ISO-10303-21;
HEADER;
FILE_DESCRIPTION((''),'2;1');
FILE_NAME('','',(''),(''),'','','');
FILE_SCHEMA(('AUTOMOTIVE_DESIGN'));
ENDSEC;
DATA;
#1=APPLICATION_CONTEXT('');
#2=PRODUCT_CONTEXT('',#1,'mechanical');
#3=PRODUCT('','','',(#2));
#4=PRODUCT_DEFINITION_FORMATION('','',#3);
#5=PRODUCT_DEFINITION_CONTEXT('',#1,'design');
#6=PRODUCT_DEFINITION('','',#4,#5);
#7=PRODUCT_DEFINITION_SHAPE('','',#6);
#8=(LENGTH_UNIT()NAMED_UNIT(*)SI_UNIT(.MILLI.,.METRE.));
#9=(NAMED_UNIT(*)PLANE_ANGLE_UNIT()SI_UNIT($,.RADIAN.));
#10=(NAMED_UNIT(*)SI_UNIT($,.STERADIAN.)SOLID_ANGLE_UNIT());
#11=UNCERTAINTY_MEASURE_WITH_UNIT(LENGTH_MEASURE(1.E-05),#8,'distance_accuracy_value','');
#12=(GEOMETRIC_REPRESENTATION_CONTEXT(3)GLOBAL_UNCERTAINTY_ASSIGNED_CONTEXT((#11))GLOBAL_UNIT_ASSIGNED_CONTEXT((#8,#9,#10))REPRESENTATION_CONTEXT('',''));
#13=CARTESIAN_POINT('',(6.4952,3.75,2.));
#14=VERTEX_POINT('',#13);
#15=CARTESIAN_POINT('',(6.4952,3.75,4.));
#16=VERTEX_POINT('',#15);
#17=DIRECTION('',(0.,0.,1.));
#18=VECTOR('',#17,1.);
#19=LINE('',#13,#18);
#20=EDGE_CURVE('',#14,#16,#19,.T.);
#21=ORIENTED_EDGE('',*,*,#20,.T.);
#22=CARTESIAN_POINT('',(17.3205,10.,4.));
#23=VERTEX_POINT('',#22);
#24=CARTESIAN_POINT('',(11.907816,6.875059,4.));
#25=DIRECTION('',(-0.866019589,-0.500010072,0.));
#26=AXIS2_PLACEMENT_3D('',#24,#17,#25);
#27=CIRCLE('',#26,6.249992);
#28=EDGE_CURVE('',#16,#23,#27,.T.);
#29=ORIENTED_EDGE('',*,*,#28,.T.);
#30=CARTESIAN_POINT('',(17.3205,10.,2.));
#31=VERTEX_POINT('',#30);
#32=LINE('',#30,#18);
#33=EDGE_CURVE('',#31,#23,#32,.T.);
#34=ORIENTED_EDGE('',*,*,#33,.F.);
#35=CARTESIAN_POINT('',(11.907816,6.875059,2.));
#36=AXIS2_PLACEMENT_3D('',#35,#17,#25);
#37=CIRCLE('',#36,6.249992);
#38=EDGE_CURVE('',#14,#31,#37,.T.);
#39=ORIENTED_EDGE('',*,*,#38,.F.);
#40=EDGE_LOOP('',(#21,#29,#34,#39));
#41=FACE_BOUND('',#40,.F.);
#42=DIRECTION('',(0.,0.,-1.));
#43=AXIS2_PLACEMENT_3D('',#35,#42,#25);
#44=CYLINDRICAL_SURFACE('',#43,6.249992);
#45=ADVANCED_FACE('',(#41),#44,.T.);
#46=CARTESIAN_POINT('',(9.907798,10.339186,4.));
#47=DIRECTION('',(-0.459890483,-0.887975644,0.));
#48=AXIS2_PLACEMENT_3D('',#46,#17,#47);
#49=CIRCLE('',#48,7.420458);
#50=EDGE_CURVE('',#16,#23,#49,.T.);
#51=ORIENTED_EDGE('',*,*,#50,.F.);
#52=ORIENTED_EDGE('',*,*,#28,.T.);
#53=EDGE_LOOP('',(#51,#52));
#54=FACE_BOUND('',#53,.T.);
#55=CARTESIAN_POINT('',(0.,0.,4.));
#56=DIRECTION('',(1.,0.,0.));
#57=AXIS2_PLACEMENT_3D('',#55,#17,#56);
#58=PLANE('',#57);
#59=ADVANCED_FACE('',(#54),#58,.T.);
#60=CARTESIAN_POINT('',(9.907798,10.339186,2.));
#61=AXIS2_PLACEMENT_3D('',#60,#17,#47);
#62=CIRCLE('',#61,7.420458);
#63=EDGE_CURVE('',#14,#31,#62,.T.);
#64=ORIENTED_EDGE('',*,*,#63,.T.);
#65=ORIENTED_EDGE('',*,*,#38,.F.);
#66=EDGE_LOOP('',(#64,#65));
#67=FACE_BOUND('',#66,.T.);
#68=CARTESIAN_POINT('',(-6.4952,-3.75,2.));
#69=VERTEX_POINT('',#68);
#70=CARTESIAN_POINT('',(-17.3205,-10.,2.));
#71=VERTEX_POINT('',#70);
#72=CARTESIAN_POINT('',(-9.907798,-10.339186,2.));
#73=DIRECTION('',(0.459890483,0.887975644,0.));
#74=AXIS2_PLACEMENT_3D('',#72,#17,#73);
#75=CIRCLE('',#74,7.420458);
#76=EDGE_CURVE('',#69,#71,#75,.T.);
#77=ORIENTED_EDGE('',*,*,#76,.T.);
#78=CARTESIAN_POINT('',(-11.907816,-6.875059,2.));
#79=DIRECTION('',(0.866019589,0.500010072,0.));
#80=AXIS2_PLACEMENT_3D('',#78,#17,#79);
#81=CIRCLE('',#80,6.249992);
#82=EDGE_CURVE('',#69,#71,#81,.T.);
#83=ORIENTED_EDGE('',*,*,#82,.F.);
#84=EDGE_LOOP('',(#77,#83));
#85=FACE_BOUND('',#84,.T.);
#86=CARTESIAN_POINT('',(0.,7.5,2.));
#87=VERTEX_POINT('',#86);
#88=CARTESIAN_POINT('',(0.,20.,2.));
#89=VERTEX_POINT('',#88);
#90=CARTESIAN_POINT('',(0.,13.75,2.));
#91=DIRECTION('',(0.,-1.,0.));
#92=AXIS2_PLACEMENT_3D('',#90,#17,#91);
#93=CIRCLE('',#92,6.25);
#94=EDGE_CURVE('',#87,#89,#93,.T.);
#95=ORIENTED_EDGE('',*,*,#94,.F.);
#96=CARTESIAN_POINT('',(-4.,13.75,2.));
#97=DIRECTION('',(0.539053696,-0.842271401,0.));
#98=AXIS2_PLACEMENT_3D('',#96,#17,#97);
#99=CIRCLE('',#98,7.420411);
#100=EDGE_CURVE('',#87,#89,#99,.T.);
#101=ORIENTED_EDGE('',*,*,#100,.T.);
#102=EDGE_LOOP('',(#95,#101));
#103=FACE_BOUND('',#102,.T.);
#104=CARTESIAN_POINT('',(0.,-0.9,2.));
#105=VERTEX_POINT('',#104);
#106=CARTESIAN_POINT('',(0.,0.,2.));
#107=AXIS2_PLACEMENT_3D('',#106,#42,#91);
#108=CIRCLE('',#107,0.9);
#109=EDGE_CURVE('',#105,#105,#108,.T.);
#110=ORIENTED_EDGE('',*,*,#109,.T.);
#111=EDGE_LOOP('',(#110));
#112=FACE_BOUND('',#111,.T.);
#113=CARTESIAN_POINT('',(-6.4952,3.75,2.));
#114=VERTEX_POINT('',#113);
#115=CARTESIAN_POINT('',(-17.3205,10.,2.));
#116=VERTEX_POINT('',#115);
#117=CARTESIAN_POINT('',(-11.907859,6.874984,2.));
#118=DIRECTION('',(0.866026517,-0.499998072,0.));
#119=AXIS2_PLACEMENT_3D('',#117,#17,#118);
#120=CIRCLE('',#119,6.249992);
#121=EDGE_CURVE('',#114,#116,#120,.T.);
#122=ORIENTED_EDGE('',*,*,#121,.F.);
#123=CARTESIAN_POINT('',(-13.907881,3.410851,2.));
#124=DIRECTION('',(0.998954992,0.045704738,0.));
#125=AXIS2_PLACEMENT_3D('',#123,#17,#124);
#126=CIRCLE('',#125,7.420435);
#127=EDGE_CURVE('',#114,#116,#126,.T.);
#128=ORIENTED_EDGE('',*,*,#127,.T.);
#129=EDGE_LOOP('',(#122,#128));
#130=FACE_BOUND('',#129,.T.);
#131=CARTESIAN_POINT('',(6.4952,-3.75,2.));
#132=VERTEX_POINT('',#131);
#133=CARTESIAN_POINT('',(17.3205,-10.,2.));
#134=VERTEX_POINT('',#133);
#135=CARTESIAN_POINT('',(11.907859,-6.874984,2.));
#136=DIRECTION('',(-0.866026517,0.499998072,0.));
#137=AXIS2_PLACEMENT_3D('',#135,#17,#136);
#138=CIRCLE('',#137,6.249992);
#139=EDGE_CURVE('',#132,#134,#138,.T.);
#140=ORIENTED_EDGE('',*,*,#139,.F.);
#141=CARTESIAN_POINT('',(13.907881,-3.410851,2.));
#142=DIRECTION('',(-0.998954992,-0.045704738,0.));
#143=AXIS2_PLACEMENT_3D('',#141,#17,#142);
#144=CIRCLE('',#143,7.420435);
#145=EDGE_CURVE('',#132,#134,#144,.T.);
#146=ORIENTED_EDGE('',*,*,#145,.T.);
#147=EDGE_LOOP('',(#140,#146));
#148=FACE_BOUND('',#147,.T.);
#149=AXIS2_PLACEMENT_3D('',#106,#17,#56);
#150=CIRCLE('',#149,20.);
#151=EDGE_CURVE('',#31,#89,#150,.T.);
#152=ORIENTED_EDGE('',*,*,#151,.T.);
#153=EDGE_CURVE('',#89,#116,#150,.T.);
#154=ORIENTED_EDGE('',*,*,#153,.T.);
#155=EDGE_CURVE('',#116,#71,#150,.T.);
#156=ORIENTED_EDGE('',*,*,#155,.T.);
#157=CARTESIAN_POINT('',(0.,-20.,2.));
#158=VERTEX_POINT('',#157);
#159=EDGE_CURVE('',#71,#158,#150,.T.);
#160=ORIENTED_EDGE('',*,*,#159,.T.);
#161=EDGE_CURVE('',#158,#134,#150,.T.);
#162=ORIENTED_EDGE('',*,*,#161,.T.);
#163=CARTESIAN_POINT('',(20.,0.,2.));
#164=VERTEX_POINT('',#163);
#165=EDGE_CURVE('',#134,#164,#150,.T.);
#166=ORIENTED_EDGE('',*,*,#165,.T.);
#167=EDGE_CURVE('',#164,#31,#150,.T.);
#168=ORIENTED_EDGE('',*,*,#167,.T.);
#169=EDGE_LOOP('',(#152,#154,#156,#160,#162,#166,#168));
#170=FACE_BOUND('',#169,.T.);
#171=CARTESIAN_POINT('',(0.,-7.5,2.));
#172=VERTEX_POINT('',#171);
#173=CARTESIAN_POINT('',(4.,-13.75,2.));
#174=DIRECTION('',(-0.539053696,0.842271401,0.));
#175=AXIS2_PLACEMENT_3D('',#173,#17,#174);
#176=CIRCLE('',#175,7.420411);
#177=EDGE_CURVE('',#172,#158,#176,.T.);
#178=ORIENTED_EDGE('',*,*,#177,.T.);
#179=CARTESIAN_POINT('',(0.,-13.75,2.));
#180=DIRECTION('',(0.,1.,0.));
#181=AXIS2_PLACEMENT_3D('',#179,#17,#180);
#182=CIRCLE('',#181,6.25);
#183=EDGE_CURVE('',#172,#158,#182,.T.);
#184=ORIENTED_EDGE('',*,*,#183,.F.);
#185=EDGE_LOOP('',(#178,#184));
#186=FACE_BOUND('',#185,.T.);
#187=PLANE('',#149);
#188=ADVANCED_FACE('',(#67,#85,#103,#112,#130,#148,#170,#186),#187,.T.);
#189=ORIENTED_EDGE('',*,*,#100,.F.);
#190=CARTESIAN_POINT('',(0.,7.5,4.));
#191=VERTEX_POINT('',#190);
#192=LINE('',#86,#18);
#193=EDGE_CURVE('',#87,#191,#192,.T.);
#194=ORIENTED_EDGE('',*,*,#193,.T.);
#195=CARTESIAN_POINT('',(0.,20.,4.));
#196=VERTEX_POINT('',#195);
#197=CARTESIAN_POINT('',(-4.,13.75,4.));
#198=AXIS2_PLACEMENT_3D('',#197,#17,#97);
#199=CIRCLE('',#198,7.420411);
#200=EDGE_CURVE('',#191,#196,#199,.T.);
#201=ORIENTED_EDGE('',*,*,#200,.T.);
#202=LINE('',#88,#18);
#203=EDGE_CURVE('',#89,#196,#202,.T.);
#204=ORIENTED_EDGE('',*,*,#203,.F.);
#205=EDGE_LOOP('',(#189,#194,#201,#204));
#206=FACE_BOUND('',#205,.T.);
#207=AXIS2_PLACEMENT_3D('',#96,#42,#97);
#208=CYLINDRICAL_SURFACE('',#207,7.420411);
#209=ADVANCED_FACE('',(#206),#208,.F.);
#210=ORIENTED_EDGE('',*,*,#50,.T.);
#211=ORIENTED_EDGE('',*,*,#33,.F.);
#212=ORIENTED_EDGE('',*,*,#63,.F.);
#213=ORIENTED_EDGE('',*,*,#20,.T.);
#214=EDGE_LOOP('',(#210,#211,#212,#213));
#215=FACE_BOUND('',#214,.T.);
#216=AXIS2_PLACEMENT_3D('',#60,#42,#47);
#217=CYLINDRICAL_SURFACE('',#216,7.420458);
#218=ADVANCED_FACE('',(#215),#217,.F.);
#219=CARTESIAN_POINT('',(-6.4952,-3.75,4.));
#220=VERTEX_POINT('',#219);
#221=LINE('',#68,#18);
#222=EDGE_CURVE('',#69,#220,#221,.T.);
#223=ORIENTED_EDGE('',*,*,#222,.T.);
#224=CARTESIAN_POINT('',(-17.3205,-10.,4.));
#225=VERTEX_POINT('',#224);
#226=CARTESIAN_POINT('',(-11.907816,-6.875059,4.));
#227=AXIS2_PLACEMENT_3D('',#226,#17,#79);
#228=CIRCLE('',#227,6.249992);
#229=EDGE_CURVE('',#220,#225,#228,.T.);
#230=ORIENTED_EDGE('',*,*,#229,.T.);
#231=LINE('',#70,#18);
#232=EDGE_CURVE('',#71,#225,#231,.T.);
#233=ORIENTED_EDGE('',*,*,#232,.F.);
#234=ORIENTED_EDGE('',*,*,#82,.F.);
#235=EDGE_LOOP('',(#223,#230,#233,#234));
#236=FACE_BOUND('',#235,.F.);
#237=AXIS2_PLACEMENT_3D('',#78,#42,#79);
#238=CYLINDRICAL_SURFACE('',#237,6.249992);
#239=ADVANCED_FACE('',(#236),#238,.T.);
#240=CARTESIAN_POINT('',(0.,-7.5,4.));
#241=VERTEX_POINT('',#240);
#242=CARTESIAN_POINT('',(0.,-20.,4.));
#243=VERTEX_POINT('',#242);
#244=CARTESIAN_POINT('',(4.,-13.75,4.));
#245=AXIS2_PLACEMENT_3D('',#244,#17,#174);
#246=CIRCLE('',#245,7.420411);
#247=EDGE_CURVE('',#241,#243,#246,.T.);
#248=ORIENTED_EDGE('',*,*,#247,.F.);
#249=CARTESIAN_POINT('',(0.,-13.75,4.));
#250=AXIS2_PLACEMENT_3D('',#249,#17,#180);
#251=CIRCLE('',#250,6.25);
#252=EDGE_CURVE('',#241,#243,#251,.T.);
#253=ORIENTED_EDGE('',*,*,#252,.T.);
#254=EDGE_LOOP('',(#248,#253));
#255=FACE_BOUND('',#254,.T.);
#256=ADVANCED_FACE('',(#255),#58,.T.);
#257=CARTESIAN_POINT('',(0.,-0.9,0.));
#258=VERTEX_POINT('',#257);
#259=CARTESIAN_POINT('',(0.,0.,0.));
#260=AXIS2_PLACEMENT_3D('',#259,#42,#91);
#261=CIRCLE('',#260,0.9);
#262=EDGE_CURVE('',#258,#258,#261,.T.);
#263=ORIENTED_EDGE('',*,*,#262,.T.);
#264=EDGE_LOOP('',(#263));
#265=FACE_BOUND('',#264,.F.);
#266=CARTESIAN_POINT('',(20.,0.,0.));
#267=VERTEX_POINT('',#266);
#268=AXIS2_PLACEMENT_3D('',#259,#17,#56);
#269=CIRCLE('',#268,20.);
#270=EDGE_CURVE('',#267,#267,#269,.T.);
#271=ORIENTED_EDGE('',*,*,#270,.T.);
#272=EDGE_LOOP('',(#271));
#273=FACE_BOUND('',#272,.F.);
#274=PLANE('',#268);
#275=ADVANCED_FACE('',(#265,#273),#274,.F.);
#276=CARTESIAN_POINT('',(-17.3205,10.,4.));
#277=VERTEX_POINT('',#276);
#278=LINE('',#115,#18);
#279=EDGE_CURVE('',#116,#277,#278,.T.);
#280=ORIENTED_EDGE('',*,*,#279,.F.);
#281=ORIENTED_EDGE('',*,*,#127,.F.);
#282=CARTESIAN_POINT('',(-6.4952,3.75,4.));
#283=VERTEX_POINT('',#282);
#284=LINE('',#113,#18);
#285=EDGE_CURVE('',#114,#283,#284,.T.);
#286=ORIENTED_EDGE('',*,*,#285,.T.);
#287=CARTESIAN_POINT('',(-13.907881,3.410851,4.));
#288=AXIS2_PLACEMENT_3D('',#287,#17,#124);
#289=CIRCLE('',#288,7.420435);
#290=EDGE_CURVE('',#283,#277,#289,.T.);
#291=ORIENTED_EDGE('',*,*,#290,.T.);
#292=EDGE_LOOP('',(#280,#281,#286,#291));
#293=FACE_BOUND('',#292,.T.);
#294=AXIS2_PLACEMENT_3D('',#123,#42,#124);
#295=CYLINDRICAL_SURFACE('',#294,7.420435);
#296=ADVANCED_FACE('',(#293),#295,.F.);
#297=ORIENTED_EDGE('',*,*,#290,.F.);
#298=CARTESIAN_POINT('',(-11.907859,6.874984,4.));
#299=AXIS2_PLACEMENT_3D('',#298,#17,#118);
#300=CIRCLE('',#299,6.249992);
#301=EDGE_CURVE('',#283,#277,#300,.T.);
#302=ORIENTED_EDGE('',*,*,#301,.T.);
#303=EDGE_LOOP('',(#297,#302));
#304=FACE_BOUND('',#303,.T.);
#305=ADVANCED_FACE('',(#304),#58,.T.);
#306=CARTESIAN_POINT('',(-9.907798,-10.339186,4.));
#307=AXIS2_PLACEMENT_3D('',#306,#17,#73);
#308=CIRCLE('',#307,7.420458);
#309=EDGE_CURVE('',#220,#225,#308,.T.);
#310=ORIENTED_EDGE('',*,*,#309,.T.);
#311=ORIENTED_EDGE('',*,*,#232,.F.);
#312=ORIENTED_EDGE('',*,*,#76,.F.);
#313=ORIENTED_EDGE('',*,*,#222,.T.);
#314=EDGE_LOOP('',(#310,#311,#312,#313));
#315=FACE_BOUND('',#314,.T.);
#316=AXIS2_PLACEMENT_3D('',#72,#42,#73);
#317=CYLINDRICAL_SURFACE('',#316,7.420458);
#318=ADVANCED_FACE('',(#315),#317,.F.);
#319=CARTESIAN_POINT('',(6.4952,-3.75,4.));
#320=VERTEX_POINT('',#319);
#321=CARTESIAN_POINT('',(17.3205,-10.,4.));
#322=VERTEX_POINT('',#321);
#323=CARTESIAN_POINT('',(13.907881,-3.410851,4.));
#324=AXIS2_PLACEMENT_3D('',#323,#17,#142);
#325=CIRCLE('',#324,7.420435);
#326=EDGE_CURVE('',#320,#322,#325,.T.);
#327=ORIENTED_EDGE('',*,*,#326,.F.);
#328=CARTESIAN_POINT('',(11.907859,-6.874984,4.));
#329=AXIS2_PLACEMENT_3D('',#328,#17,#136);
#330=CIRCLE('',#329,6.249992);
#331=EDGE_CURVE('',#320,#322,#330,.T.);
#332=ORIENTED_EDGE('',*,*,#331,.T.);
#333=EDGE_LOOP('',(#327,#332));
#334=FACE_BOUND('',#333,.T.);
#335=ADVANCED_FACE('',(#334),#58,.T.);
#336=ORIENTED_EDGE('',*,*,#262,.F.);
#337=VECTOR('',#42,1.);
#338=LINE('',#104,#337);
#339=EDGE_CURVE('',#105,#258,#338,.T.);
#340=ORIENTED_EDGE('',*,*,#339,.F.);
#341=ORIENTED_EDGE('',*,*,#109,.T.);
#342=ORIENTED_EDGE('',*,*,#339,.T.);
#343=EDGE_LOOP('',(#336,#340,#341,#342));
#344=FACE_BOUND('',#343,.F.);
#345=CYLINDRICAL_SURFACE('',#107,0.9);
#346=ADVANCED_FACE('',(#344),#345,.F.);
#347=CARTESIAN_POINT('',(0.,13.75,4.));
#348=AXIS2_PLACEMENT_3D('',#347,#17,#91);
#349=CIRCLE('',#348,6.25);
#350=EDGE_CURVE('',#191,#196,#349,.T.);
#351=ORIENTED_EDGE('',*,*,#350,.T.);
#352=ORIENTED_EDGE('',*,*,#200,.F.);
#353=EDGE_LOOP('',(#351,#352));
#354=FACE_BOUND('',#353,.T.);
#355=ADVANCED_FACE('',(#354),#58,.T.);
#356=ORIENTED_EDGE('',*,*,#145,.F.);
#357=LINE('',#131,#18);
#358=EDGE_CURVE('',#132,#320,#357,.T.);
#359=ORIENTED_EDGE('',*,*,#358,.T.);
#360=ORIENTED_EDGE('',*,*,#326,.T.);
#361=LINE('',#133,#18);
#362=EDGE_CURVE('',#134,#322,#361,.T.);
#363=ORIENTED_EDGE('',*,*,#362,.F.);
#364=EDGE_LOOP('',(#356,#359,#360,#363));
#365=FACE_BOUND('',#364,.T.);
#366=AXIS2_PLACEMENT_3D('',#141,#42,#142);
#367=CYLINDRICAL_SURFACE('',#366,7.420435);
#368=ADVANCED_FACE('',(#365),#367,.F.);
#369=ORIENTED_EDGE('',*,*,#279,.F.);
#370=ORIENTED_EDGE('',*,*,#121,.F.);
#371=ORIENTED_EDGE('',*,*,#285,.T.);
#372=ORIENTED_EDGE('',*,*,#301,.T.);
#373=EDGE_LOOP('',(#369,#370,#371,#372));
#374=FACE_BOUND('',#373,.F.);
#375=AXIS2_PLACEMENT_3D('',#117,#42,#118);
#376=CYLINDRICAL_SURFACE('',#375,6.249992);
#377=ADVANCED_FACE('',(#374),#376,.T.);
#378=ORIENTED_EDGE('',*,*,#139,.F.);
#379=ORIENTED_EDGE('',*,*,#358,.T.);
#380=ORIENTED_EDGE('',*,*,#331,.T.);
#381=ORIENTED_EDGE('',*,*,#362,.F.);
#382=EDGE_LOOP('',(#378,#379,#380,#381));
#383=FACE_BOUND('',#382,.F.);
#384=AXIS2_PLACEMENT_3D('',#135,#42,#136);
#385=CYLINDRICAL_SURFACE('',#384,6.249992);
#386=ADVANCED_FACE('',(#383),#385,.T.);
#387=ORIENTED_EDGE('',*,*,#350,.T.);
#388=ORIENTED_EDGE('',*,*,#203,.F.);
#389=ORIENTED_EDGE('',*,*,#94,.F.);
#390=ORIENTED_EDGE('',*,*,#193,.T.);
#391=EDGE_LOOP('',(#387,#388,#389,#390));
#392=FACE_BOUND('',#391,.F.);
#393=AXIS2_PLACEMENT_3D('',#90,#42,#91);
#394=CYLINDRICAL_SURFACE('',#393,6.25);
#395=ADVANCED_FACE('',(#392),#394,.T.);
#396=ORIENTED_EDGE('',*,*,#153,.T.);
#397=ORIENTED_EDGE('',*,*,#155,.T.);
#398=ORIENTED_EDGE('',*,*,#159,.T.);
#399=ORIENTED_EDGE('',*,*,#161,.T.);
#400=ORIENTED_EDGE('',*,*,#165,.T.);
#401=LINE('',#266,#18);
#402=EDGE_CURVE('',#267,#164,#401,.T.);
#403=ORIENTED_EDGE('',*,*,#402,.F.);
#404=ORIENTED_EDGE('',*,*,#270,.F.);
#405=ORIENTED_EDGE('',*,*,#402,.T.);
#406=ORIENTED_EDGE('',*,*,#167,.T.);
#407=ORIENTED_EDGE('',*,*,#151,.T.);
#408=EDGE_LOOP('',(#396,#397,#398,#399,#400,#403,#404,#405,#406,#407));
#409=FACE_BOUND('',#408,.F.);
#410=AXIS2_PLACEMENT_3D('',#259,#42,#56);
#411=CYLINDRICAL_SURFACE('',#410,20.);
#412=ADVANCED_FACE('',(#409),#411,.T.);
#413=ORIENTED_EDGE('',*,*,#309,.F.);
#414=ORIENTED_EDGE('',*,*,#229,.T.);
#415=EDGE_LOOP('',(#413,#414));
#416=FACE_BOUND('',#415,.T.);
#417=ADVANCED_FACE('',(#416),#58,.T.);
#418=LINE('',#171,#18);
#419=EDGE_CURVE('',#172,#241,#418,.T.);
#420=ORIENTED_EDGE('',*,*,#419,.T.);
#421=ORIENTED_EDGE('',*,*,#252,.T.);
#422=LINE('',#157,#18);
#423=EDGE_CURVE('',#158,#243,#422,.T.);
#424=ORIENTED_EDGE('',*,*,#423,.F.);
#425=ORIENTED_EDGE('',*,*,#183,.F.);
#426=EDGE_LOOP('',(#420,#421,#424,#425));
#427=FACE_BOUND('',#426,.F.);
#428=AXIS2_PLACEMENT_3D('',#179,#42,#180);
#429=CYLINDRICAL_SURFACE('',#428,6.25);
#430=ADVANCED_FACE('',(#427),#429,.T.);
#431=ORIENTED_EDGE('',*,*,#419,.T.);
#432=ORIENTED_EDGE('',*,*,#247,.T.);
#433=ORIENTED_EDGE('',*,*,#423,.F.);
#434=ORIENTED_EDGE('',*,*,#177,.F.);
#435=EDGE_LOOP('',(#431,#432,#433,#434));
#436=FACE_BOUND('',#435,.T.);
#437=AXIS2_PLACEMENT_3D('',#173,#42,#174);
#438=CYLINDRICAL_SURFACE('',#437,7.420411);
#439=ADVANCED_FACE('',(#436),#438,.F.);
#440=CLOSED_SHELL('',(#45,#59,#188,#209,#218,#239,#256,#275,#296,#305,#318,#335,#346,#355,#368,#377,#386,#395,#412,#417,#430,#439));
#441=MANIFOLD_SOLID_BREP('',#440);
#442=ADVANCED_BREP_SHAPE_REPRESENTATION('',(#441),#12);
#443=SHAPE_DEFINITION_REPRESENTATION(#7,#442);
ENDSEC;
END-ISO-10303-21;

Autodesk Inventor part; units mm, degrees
ref_plane "YZ Plane" through (0, 0, 0) normal (1, 0, 0) x (0, 1, 0)
ref_plane "XZ Plane" through (0, 0, 0) normal (0, 1, 0) x (-1, 0, 0)
ref_plane "XY Plane" through (0, 0, 0) normal (0, 0, 1) x (1, 0, 0)
sketch "スケッチ1" plane through (0, 0, 0) normal (0, 0, 1) x (1, 0, 0)
  circle A0 centre (0, 0) radius 20
  dimension "d0" = 40
extrude "押し出し1" add sketch "スケッチ1" along normal blind 2
sketch "スケッチ2" plane through (0, 0, 2) normal (0, 0, 1) x (1, 0, 0)
  circle A0 centre (0, 0) radius 7.5
  circle A1 centre (0, 0) radius 20 projected
  arc A2 (0, 7.5) -> (0, 20) centre (0, 13.75) ccw
  arc A3 (0, 7.5) -> (0, 20) centre (-4, 13.75) ccw
  arc A4 (-6.4952, 3.75) -> (-17.3205, 10) centre (-11.9078, 6.875) ccw
  arc A5 (-6.4952, 3.75) -> (-17.3205, 10) centre (-13.9078, 3.4109) ccw
  arc A6 (-6.4952, -3.75) -> (-17.3205, -10) centre (-11.9078, -6.875) ccw
  arc A7 (-6.4952, -3.75) -> (-17.3205, -10) centre (-9.9078, -10.3391) ccw
  arc A8 (0, -7.5) -> (0, -20) centre (0, -13.75) ccw
  arc A9 (0, -7.5) -> (0, -20) centre (4, -13.75) ccw
  arc A10 (6.4952, -3.75) -> (17.3205, -10) centre (11.9078, -6.875) ccw
  arc A11 (6.4952, -3.75) -> (17.3205, -10) centre (13.9078, -3.4109) ccw
  arc A12 (6.4952, 3.75) -> (17.3205, 10) centre (11.9078, 6.875) ccw
  arc A13 (6.4952, 3.75) -> (17.3205, 10) centre (9.9078, 10.3391) ccw
  dimension "d3" = 15
  dimension "d4" = 4
  dimension "d7" = 360
extrude "押し出し2" add sketch "スケッチ2" along normal blind 2 contours A13 A12 | A11 A10 | A3 A2 | A9 A8 | A5 A4 | A7 A6
sketch "スケッチ3" plane through (0, 0, 2) normal (0, 0, 1) x (1, 0, 0)
  point P0 (0, 0)
  point P1 (0, 0)
hole "穴1" at (0, 0, 2) direction (0, 0, -1) diameter 1.8 depth 8.8 tip angle 118
properties part number "20220608_ファン"
